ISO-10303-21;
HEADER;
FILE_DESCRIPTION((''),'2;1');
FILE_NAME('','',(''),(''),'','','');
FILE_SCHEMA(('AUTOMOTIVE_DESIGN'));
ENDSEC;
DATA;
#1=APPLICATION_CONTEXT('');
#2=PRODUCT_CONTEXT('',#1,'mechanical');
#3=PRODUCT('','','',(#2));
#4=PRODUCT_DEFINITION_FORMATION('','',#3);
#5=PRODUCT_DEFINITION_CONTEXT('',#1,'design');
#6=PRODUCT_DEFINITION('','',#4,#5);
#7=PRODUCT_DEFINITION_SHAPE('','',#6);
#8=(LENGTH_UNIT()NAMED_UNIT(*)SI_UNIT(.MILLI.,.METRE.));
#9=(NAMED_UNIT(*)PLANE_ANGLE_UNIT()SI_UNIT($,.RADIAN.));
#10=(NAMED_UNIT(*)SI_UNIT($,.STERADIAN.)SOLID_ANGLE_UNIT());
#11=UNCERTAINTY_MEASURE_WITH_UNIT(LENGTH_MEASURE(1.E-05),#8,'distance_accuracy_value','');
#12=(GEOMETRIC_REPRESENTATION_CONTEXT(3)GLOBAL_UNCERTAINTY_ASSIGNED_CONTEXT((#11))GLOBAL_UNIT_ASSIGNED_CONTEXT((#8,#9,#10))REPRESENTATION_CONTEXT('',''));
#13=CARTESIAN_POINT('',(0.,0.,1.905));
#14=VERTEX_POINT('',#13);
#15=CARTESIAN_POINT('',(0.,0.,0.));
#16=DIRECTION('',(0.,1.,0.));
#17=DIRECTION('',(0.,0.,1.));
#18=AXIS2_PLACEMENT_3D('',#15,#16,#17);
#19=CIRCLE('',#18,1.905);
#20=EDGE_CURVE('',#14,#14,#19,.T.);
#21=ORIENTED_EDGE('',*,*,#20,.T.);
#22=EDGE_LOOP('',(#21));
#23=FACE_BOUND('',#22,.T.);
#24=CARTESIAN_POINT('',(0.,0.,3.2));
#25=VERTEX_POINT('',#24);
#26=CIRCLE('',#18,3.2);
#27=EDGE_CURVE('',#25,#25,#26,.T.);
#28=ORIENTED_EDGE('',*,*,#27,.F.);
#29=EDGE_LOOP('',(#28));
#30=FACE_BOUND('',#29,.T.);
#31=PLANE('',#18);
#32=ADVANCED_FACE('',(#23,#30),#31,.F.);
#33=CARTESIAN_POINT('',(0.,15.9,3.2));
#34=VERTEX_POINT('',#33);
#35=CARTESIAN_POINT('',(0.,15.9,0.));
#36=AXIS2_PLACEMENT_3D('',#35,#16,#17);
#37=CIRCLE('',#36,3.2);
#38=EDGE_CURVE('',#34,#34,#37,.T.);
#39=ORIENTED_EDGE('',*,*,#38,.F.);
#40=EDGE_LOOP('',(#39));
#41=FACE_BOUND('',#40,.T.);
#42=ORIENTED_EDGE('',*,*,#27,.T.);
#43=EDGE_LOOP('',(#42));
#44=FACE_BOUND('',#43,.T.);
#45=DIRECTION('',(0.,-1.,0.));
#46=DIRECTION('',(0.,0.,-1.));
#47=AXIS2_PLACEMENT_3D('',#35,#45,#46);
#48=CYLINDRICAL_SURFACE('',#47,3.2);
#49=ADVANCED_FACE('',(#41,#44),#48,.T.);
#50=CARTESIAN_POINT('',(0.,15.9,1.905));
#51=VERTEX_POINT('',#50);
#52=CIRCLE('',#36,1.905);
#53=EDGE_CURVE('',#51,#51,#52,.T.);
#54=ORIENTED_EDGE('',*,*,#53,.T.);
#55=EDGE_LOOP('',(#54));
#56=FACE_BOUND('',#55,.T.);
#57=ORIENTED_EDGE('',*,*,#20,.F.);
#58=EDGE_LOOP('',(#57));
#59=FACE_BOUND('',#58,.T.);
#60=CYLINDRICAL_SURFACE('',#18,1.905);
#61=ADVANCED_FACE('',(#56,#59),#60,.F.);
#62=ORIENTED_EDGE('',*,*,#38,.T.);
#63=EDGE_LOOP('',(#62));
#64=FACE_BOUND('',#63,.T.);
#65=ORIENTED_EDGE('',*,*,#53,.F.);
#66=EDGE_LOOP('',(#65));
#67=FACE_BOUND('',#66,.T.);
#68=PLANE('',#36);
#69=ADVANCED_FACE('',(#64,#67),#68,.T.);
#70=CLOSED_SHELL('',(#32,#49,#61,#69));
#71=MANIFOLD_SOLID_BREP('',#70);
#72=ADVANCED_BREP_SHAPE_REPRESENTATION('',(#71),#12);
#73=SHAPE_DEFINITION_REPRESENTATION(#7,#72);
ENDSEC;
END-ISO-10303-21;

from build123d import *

# Parameters (mm, degrees)
SKETCH1_R           = 3.2
BOSS_EXTRUDE1_DEPTH = 15.9
SKETCH2_R           = 1.905
CUT_EXTRUDE1_DEPTH  = 17.531485112


with BuildPart() as part:
    # Sketch1 → Boss-Extrude1 (new body)
    with BuildSketch(Plane(origin=(0, 0, 0), x_dir=(1, 0, 0), z_dir=(0, 1, 0))):
        with Locations(Location((0, 0, 0), (0, 0, 270))):
            Circle(SKETCH1_R)
    extrude(amount=BOSS_EXTRUDE1_DEPTH)

    # Sketch2 → Cut-Extrude1 (cut, through all)
    with BuildSketch(Plane(origin=(0, 15.9, 0), x_dir=(1, 0, 0), z_dir=(0, 1, 0))):
        with Locations(Location((0, 0, 0), (0, 0, 270))):
            Circle(SKETCH2_R)
    extrude(amount=-CUT_EXTRUDE1_DEPTH, mode=Mode.SUBTRACT)


solid = part.part
